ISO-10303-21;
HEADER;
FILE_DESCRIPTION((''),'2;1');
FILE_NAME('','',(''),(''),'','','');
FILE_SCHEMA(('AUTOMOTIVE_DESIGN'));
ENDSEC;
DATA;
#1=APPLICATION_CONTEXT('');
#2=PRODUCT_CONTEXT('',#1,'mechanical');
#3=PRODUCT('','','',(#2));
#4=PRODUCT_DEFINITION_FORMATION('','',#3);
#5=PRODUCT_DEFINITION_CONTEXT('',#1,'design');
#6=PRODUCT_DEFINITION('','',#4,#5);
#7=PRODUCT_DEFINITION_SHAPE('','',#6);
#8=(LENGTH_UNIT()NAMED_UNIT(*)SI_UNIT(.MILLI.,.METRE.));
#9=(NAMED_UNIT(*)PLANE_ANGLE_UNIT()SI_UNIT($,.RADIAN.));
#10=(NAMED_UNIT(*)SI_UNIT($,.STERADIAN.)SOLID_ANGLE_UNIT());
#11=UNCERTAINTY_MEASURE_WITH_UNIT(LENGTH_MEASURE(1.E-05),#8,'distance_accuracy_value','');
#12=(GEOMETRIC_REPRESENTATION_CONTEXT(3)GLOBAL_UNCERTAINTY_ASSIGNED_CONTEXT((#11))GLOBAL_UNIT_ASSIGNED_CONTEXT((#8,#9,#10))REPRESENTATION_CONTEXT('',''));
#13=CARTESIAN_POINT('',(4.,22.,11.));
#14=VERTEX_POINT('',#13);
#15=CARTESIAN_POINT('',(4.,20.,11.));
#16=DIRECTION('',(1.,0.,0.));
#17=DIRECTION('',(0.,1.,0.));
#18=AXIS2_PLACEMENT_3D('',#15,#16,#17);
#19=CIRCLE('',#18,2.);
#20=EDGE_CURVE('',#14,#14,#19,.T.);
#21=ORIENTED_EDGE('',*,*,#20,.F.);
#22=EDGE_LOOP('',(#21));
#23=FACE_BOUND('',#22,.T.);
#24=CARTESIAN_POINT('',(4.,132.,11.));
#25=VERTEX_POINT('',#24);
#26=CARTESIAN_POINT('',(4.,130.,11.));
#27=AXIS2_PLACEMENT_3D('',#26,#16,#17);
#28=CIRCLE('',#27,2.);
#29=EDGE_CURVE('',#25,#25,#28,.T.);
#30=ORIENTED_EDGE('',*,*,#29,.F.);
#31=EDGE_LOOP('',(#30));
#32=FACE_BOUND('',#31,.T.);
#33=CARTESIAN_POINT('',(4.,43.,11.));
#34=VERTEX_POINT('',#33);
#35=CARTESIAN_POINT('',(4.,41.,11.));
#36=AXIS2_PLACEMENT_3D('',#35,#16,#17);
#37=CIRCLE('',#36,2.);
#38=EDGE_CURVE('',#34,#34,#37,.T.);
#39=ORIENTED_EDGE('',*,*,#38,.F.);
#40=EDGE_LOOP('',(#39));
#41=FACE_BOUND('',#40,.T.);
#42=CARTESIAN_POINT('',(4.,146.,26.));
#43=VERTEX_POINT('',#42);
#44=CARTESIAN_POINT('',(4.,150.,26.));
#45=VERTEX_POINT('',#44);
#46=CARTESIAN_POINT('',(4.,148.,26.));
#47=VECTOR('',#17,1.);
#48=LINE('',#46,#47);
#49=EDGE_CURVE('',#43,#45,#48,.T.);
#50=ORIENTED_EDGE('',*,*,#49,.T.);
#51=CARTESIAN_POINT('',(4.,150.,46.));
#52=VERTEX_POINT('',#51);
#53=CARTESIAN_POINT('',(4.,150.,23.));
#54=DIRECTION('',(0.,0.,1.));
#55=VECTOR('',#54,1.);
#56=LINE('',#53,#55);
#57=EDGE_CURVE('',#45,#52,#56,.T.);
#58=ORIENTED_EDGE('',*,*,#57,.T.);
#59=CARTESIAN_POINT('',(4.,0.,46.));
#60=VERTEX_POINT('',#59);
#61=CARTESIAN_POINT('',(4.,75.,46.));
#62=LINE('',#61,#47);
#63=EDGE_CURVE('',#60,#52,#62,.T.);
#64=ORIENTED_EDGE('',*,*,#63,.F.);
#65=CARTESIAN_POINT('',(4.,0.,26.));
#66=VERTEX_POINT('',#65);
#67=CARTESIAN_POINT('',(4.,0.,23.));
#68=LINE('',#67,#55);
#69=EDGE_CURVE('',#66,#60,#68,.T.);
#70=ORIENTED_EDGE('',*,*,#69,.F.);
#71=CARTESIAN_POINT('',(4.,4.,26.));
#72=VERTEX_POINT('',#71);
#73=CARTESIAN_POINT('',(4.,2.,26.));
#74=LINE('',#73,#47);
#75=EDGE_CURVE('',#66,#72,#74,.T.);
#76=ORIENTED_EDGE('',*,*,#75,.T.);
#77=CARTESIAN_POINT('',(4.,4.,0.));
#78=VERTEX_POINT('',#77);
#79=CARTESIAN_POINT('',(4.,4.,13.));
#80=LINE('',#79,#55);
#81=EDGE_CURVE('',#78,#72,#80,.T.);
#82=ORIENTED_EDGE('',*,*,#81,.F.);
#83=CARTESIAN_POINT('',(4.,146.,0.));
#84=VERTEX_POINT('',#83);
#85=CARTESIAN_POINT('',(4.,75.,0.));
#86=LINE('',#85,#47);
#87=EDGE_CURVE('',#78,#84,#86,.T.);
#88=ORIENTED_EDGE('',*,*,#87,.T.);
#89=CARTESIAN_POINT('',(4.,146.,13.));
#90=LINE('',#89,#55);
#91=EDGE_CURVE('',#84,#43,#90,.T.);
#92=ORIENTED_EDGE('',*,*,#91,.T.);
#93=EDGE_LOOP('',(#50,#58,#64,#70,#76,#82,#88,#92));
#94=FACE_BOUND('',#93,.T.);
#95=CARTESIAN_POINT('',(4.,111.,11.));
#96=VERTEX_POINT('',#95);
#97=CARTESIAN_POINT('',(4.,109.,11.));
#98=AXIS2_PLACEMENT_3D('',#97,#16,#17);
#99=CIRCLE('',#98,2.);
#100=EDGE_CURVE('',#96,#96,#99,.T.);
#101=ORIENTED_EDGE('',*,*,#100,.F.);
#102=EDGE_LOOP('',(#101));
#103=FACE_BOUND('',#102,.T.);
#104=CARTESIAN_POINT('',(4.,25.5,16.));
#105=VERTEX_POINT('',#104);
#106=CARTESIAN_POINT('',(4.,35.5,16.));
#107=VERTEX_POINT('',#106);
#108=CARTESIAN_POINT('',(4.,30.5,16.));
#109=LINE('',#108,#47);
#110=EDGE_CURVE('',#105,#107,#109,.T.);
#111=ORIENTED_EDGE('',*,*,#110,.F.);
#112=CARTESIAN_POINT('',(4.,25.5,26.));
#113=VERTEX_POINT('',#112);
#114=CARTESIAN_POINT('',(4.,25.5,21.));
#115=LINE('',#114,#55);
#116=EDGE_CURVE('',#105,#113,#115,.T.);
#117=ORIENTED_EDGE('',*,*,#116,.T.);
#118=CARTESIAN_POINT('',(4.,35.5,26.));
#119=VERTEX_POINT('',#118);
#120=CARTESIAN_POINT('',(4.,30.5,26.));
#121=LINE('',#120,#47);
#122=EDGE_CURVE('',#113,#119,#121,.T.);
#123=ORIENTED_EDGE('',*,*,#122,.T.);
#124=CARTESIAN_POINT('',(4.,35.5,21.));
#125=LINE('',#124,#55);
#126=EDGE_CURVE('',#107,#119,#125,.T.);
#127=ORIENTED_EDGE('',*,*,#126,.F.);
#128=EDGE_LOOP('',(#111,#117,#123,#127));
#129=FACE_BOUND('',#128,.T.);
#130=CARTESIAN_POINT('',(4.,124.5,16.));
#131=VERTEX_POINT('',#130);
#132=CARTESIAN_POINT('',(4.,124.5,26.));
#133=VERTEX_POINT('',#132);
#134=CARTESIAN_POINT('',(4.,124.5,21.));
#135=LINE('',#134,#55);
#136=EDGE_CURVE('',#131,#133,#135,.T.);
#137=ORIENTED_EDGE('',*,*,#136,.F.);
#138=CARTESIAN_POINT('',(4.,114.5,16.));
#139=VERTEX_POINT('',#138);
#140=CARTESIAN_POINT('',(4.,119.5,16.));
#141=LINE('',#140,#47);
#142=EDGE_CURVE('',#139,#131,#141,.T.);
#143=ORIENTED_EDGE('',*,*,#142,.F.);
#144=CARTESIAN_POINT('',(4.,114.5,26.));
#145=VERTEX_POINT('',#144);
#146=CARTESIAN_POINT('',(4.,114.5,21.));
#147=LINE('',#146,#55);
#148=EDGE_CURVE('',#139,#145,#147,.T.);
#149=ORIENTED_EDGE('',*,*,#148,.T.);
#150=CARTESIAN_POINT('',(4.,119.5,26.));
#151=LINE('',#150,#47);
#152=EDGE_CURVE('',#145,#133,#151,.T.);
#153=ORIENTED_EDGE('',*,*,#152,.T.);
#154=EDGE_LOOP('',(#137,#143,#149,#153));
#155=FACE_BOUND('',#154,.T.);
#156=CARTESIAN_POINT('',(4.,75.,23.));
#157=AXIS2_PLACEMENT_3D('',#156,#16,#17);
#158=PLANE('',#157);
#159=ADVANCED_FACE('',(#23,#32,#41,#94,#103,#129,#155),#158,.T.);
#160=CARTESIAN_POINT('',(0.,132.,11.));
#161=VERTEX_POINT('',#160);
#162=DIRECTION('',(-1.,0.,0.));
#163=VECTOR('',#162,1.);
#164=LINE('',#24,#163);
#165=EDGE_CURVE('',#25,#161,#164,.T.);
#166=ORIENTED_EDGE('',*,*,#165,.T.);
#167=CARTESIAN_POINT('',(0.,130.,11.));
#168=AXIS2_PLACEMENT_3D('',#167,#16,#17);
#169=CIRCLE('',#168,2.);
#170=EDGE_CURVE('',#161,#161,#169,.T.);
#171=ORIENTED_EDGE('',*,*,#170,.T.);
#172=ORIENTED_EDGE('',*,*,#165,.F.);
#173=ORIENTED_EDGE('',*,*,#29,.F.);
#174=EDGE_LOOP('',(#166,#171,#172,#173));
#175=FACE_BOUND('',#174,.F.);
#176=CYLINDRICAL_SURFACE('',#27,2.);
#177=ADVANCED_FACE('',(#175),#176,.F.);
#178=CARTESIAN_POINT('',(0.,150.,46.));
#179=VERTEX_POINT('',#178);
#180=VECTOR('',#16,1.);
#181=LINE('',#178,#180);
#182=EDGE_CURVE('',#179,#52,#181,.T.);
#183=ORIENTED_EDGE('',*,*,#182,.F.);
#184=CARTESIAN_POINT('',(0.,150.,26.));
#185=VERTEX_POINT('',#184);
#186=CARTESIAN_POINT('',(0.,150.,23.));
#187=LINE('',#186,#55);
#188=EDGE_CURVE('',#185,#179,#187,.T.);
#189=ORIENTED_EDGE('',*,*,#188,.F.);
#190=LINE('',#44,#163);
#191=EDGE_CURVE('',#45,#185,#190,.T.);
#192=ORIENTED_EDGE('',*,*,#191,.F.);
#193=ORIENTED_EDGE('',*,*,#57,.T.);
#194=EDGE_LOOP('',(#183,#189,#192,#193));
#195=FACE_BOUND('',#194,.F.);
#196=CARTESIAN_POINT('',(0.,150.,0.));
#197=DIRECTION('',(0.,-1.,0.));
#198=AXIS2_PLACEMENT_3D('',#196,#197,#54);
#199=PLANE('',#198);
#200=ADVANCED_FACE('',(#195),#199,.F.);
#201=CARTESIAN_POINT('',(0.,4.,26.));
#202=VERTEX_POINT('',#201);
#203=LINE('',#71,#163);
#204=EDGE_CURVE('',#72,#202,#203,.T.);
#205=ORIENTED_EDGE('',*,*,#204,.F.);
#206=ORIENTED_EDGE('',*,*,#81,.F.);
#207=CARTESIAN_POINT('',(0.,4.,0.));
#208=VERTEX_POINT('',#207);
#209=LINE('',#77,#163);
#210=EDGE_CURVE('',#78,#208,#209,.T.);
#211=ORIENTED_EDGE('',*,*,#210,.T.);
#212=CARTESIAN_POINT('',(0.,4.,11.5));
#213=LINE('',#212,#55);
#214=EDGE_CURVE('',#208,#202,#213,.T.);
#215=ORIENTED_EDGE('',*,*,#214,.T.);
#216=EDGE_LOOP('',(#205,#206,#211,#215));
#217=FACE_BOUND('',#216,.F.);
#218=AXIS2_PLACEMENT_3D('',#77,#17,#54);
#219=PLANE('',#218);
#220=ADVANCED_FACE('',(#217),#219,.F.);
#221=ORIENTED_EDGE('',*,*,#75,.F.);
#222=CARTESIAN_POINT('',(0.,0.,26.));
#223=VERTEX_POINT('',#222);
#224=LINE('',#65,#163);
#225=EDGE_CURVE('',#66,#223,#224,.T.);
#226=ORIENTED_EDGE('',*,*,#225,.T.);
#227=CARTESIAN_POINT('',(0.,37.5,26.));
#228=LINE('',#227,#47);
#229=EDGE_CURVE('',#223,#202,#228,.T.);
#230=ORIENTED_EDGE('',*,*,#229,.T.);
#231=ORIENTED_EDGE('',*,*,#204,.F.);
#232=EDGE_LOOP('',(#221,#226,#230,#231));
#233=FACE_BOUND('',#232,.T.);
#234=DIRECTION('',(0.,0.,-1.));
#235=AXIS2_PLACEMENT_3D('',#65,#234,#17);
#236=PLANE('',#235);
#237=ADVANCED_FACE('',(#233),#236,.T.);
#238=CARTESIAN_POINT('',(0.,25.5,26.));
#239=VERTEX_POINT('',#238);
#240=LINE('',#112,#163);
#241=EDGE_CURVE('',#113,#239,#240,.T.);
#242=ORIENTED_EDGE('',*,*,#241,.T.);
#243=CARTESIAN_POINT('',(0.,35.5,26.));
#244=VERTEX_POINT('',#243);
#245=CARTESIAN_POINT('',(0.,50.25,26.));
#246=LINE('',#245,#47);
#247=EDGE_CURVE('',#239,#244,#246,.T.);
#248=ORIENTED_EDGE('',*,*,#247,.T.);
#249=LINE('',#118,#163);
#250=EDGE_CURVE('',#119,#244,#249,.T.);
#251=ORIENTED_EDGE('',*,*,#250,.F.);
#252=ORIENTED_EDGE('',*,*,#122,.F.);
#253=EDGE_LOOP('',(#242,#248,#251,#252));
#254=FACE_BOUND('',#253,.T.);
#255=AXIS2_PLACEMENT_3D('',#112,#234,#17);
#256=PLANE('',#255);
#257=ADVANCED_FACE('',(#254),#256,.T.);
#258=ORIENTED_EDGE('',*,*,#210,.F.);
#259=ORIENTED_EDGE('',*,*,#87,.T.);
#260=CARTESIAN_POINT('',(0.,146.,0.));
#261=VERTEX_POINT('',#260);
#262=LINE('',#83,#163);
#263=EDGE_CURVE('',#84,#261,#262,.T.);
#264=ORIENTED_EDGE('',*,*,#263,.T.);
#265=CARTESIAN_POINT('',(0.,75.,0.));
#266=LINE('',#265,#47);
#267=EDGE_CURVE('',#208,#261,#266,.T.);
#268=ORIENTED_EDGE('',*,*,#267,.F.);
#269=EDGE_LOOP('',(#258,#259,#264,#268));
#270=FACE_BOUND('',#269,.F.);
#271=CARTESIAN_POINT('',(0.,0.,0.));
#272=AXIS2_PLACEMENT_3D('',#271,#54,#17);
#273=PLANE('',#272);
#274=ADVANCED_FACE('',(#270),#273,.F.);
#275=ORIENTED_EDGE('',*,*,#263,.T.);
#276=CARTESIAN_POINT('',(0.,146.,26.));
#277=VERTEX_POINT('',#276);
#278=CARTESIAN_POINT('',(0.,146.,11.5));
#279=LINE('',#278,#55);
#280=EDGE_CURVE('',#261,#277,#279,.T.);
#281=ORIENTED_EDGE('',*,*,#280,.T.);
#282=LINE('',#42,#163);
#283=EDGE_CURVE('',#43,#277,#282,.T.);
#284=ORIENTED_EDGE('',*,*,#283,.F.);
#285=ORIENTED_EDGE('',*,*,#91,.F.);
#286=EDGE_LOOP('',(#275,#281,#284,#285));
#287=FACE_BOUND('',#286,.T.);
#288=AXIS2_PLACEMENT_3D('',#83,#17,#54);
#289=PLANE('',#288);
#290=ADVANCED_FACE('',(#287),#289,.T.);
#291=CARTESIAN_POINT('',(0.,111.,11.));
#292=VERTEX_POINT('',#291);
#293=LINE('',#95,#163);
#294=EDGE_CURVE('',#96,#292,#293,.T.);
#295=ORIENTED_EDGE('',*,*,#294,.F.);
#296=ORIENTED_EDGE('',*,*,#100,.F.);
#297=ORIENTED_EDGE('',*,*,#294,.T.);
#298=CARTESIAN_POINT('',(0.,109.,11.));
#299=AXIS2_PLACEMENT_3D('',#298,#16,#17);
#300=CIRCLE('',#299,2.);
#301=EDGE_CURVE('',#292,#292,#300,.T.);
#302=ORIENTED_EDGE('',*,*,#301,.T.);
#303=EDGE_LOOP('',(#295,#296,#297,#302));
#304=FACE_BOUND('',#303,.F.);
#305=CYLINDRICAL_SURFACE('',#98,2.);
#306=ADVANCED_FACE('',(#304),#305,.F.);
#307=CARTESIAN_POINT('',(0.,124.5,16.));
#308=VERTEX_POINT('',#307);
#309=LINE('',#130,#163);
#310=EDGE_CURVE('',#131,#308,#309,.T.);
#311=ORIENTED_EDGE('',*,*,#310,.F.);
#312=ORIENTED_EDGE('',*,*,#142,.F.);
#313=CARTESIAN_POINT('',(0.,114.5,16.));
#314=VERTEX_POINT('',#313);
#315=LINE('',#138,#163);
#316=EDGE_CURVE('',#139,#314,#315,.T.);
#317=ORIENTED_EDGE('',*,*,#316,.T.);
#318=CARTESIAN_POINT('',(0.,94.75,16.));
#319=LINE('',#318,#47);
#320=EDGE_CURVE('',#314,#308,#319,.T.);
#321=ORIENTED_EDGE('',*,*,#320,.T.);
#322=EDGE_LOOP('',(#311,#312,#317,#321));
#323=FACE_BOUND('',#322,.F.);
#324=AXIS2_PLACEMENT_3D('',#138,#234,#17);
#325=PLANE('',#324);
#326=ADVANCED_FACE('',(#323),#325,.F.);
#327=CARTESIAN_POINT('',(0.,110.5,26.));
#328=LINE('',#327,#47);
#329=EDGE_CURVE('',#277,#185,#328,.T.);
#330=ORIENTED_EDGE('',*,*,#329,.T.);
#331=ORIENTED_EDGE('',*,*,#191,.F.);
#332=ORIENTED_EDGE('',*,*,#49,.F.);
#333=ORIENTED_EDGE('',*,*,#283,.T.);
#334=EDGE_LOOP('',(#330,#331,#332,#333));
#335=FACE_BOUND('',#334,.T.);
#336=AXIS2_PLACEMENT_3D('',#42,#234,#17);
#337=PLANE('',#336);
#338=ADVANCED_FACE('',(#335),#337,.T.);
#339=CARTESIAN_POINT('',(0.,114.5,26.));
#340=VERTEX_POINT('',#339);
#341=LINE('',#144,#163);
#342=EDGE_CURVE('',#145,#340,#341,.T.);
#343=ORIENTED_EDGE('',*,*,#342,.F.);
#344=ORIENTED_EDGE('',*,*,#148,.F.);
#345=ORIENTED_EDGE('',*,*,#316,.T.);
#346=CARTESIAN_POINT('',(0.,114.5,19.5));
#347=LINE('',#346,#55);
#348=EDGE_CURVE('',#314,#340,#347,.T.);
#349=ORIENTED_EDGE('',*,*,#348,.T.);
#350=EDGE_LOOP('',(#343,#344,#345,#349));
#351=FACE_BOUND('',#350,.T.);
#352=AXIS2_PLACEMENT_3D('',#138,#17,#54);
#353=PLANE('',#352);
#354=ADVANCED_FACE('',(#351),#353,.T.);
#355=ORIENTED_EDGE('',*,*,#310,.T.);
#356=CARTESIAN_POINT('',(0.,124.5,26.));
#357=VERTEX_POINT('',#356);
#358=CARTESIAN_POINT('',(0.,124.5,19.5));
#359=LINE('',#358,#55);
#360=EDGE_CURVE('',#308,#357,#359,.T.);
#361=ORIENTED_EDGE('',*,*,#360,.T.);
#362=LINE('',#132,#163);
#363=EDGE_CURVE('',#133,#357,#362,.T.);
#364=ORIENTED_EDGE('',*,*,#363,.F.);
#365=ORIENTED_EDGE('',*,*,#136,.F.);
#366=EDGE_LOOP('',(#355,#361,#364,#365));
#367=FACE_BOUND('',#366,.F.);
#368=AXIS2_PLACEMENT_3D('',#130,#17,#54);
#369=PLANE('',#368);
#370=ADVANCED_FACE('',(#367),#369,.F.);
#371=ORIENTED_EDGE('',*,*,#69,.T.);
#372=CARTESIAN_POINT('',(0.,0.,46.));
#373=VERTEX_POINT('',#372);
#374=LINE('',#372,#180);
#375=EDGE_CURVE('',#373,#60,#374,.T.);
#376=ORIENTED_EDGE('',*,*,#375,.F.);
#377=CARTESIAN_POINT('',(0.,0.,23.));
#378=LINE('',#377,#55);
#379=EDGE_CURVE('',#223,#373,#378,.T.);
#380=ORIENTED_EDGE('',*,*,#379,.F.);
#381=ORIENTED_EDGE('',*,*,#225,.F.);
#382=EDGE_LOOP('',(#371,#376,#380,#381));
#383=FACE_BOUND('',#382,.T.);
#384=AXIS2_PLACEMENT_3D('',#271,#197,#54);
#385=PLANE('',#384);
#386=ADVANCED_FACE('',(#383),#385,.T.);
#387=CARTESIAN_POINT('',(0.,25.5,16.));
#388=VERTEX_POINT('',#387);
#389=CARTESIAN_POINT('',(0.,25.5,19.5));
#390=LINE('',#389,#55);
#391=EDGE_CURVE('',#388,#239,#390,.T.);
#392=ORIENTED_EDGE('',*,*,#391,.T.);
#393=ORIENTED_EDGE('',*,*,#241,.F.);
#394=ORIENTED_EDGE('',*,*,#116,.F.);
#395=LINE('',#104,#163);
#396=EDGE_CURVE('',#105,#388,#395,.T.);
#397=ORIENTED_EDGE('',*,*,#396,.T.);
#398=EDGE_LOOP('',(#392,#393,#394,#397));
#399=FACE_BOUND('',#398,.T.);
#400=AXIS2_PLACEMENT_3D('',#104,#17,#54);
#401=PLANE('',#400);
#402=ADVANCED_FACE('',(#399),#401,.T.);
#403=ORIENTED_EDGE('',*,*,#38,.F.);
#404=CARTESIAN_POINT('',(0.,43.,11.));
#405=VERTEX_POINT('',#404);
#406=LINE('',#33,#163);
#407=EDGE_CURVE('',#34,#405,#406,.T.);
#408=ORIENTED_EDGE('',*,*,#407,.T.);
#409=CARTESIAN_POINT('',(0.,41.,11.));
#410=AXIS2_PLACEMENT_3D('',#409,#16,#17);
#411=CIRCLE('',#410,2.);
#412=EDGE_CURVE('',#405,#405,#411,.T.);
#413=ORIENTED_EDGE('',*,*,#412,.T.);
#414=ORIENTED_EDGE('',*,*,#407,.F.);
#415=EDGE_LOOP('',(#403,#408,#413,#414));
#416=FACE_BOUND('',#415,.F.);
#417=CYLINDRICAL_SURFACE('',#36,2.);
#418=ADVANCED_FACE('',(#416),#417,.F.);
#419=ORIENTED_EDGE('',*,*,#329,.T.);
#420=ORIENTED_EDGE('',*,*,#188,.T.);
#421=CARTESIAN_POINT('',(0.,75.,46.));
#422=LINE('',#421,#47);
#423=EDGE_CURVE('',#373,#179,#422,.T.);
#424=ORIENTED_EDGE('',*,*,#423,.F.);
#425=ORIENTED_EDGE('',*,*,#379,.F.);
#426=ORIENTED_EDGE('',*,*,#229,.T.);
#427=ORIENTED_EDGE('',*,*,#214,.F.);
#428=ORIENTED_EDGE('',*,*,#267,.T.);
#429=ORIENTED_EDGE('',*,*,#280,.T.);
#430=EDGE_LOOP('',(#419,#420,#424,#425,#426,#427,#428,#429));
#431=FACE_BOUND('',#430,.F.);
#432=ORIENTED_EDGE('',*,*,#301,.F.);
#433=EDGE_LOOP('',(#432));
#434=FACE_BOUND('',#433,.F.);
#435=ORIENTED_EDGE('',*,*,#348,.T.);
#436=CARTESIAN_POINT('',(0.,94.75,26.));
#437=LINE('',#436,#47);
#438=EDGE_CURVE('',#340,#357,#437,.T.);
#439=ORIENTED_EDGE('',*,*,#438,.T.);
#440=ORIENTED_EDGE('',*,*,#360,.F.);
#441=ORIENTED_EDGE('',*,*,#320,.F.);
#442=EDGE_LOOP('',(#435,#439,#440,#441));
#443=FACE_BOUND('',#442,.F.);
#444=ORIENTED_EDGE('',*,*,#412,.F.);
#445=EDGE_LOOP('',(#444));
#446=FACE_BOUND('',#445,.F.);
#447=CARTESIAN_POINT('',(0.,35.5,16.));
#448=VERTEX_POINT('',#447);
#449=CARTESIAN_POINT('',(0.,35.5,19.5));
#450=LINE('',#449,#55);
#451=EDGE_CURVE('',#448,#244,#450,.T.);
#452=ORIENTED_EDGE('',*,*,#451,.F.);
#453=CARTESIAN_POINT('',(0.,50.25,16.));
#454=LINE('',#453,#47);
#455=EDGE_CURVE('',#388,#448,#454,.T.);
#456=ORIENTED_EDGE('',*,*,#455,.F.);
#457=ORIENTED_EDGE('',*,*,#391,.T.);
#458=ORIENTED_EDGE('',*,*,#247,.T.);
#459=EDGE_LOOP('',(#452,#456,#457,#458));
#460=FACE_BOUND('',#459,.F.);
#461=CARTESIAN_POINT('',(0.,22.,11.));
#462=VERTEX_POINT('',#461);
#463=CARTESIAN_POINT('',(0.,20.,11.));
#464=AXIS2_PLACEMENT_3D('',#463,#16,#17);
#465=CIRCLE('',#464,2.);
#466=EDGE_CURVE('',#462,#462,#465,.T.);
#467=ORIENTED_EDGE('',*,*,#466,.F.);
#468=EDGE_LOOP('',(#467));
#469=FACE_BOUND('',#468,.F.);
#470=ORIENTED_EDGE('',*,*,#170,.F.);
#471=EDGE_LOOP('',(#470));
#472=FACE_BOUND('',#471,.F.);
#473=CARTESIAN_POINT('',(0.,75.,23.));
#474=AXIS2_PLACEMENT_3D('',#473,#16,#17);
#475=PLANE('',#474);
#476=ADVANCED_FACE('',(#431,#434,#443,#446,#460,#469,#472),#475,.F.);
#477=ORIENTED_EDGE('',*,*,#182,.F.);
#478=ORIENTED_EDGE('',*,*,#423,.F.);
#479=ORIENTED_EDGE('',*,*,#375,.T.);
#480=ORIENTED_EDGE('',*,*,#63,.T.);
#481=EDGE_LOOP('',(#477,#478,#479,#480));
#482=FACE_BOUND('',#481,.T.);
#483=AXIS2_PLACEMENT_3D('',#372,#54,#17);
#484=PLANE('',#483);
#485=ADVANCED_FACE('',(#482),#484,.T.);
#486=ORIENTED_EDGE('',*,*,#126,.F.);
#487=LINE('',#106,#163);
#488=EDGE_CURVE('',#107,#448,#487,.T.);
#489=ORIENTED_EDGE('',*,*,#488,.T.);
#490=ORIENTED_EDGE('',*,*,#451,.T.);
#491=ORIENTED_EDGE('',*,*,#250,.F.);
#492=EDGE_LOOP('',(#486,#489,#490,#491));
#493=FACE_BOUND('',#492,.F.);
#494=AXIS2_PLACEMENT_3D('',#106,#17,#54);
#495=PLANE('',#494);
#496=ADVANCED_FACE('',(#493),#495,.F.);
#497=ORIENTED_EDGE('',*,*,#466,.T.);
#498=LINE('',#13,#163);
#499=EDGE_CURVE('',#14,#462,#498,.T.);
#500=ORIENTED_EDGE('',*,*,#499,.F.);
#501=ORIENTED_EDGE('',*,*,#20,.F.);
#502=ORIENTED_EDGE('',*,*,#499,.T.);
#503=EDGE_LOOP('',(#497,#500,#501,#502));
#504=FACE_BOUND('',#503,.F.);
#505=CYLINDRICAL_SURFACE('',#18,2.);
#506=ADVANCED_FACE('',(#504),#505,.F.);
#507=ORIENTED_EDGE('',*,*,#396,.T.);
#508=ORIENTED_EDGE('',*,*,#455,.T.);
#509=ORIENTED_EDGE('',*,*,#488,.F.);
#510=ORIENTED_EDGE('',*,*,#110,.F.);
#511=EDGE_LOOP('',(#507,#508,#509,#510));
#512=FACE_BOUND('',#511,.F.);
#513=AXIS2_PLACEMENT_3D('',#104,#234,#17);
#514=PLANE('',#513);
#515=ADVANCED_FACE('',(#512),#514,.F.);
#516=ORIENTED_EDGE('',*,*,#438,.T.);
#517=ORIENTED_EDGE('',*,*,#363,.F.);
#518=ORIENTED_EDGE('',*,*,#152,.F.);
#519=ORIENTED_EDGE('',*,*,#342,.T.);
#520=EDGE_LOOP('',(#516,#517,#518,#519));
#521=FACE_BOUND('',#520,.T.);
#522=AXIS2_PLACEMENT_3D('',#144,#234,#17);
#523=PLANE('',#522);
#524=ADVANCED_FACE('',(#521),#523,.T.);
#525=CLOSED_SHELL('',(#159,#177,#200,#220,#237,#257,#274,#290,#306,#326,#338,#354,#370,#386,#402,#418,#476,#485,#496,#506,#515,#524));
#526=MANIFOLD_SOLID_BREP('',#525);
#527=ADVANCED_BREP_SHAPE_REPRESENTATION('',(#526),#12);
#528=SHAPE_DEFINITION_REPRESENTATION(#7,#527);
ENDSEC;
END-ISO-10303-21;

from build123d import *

# Parameters (mm, degrees)
SKETCH_W        = 150
SKETCH_H        = 46
PAD_DEPTH       = 4
SKETCH001_W     = 4
SKETCH001_H     = 26
POCKET_DEPTH    = 5
SKETCH002_R     = 2
SKETCH002_W     = 10
SKETCH002_H     = 10
POCKET001_DEPTH = 5


with BuildPart() as part:
    # Sketch → Pad (new body)
    with BuildSketch(Plane.YZ):
        with Locations((75, 23)):
            Rectangle(SKETCH_W, SKETCH_H)
    extrude(amount=PAD_DEPTH)

    # Sketch001 (on Face6 of Pad) → Pocket (cut)
    with BuildSketch(Plane.YZ.offset(4)):
        with Locations((2, 13)):
            Rectangle(SKETCH001_W, SKETCH001_H)
        with Locations((148, 13)):
            Rectangle(SKETCH001_W, SKETCH001_H)
    extrude(amount=-POCKET_DEPTH, mode=Mode.SUBTRACT)

    # Sketch002 (on Face4 of Pocket) → Pocket001 (cut)
    with BuildSketch(Plane.YZ.offset(4)):
        with Locations((20, 11)):
            Circle(SKETCH002_R)
        with Locations((41, 11)):
            Circle(SKETCH002_R)
        with Locations((109, 11)):
            Circle(SKETCH002_R)
        with Locations((130, 11)):
            Circle(SKETCH002_R)
        with Locations((30.5, 21)):
            Rectangle(SKETCH002_W, SKETCH002_H)
        with Locations((119.5, 21)):
            Rectangle(SKETCH002_W, SKETCH002_H)
    extrude(amount=-POCKET001_DEPTH, mode=Mode.SUBTRACT)


solid = part.part
